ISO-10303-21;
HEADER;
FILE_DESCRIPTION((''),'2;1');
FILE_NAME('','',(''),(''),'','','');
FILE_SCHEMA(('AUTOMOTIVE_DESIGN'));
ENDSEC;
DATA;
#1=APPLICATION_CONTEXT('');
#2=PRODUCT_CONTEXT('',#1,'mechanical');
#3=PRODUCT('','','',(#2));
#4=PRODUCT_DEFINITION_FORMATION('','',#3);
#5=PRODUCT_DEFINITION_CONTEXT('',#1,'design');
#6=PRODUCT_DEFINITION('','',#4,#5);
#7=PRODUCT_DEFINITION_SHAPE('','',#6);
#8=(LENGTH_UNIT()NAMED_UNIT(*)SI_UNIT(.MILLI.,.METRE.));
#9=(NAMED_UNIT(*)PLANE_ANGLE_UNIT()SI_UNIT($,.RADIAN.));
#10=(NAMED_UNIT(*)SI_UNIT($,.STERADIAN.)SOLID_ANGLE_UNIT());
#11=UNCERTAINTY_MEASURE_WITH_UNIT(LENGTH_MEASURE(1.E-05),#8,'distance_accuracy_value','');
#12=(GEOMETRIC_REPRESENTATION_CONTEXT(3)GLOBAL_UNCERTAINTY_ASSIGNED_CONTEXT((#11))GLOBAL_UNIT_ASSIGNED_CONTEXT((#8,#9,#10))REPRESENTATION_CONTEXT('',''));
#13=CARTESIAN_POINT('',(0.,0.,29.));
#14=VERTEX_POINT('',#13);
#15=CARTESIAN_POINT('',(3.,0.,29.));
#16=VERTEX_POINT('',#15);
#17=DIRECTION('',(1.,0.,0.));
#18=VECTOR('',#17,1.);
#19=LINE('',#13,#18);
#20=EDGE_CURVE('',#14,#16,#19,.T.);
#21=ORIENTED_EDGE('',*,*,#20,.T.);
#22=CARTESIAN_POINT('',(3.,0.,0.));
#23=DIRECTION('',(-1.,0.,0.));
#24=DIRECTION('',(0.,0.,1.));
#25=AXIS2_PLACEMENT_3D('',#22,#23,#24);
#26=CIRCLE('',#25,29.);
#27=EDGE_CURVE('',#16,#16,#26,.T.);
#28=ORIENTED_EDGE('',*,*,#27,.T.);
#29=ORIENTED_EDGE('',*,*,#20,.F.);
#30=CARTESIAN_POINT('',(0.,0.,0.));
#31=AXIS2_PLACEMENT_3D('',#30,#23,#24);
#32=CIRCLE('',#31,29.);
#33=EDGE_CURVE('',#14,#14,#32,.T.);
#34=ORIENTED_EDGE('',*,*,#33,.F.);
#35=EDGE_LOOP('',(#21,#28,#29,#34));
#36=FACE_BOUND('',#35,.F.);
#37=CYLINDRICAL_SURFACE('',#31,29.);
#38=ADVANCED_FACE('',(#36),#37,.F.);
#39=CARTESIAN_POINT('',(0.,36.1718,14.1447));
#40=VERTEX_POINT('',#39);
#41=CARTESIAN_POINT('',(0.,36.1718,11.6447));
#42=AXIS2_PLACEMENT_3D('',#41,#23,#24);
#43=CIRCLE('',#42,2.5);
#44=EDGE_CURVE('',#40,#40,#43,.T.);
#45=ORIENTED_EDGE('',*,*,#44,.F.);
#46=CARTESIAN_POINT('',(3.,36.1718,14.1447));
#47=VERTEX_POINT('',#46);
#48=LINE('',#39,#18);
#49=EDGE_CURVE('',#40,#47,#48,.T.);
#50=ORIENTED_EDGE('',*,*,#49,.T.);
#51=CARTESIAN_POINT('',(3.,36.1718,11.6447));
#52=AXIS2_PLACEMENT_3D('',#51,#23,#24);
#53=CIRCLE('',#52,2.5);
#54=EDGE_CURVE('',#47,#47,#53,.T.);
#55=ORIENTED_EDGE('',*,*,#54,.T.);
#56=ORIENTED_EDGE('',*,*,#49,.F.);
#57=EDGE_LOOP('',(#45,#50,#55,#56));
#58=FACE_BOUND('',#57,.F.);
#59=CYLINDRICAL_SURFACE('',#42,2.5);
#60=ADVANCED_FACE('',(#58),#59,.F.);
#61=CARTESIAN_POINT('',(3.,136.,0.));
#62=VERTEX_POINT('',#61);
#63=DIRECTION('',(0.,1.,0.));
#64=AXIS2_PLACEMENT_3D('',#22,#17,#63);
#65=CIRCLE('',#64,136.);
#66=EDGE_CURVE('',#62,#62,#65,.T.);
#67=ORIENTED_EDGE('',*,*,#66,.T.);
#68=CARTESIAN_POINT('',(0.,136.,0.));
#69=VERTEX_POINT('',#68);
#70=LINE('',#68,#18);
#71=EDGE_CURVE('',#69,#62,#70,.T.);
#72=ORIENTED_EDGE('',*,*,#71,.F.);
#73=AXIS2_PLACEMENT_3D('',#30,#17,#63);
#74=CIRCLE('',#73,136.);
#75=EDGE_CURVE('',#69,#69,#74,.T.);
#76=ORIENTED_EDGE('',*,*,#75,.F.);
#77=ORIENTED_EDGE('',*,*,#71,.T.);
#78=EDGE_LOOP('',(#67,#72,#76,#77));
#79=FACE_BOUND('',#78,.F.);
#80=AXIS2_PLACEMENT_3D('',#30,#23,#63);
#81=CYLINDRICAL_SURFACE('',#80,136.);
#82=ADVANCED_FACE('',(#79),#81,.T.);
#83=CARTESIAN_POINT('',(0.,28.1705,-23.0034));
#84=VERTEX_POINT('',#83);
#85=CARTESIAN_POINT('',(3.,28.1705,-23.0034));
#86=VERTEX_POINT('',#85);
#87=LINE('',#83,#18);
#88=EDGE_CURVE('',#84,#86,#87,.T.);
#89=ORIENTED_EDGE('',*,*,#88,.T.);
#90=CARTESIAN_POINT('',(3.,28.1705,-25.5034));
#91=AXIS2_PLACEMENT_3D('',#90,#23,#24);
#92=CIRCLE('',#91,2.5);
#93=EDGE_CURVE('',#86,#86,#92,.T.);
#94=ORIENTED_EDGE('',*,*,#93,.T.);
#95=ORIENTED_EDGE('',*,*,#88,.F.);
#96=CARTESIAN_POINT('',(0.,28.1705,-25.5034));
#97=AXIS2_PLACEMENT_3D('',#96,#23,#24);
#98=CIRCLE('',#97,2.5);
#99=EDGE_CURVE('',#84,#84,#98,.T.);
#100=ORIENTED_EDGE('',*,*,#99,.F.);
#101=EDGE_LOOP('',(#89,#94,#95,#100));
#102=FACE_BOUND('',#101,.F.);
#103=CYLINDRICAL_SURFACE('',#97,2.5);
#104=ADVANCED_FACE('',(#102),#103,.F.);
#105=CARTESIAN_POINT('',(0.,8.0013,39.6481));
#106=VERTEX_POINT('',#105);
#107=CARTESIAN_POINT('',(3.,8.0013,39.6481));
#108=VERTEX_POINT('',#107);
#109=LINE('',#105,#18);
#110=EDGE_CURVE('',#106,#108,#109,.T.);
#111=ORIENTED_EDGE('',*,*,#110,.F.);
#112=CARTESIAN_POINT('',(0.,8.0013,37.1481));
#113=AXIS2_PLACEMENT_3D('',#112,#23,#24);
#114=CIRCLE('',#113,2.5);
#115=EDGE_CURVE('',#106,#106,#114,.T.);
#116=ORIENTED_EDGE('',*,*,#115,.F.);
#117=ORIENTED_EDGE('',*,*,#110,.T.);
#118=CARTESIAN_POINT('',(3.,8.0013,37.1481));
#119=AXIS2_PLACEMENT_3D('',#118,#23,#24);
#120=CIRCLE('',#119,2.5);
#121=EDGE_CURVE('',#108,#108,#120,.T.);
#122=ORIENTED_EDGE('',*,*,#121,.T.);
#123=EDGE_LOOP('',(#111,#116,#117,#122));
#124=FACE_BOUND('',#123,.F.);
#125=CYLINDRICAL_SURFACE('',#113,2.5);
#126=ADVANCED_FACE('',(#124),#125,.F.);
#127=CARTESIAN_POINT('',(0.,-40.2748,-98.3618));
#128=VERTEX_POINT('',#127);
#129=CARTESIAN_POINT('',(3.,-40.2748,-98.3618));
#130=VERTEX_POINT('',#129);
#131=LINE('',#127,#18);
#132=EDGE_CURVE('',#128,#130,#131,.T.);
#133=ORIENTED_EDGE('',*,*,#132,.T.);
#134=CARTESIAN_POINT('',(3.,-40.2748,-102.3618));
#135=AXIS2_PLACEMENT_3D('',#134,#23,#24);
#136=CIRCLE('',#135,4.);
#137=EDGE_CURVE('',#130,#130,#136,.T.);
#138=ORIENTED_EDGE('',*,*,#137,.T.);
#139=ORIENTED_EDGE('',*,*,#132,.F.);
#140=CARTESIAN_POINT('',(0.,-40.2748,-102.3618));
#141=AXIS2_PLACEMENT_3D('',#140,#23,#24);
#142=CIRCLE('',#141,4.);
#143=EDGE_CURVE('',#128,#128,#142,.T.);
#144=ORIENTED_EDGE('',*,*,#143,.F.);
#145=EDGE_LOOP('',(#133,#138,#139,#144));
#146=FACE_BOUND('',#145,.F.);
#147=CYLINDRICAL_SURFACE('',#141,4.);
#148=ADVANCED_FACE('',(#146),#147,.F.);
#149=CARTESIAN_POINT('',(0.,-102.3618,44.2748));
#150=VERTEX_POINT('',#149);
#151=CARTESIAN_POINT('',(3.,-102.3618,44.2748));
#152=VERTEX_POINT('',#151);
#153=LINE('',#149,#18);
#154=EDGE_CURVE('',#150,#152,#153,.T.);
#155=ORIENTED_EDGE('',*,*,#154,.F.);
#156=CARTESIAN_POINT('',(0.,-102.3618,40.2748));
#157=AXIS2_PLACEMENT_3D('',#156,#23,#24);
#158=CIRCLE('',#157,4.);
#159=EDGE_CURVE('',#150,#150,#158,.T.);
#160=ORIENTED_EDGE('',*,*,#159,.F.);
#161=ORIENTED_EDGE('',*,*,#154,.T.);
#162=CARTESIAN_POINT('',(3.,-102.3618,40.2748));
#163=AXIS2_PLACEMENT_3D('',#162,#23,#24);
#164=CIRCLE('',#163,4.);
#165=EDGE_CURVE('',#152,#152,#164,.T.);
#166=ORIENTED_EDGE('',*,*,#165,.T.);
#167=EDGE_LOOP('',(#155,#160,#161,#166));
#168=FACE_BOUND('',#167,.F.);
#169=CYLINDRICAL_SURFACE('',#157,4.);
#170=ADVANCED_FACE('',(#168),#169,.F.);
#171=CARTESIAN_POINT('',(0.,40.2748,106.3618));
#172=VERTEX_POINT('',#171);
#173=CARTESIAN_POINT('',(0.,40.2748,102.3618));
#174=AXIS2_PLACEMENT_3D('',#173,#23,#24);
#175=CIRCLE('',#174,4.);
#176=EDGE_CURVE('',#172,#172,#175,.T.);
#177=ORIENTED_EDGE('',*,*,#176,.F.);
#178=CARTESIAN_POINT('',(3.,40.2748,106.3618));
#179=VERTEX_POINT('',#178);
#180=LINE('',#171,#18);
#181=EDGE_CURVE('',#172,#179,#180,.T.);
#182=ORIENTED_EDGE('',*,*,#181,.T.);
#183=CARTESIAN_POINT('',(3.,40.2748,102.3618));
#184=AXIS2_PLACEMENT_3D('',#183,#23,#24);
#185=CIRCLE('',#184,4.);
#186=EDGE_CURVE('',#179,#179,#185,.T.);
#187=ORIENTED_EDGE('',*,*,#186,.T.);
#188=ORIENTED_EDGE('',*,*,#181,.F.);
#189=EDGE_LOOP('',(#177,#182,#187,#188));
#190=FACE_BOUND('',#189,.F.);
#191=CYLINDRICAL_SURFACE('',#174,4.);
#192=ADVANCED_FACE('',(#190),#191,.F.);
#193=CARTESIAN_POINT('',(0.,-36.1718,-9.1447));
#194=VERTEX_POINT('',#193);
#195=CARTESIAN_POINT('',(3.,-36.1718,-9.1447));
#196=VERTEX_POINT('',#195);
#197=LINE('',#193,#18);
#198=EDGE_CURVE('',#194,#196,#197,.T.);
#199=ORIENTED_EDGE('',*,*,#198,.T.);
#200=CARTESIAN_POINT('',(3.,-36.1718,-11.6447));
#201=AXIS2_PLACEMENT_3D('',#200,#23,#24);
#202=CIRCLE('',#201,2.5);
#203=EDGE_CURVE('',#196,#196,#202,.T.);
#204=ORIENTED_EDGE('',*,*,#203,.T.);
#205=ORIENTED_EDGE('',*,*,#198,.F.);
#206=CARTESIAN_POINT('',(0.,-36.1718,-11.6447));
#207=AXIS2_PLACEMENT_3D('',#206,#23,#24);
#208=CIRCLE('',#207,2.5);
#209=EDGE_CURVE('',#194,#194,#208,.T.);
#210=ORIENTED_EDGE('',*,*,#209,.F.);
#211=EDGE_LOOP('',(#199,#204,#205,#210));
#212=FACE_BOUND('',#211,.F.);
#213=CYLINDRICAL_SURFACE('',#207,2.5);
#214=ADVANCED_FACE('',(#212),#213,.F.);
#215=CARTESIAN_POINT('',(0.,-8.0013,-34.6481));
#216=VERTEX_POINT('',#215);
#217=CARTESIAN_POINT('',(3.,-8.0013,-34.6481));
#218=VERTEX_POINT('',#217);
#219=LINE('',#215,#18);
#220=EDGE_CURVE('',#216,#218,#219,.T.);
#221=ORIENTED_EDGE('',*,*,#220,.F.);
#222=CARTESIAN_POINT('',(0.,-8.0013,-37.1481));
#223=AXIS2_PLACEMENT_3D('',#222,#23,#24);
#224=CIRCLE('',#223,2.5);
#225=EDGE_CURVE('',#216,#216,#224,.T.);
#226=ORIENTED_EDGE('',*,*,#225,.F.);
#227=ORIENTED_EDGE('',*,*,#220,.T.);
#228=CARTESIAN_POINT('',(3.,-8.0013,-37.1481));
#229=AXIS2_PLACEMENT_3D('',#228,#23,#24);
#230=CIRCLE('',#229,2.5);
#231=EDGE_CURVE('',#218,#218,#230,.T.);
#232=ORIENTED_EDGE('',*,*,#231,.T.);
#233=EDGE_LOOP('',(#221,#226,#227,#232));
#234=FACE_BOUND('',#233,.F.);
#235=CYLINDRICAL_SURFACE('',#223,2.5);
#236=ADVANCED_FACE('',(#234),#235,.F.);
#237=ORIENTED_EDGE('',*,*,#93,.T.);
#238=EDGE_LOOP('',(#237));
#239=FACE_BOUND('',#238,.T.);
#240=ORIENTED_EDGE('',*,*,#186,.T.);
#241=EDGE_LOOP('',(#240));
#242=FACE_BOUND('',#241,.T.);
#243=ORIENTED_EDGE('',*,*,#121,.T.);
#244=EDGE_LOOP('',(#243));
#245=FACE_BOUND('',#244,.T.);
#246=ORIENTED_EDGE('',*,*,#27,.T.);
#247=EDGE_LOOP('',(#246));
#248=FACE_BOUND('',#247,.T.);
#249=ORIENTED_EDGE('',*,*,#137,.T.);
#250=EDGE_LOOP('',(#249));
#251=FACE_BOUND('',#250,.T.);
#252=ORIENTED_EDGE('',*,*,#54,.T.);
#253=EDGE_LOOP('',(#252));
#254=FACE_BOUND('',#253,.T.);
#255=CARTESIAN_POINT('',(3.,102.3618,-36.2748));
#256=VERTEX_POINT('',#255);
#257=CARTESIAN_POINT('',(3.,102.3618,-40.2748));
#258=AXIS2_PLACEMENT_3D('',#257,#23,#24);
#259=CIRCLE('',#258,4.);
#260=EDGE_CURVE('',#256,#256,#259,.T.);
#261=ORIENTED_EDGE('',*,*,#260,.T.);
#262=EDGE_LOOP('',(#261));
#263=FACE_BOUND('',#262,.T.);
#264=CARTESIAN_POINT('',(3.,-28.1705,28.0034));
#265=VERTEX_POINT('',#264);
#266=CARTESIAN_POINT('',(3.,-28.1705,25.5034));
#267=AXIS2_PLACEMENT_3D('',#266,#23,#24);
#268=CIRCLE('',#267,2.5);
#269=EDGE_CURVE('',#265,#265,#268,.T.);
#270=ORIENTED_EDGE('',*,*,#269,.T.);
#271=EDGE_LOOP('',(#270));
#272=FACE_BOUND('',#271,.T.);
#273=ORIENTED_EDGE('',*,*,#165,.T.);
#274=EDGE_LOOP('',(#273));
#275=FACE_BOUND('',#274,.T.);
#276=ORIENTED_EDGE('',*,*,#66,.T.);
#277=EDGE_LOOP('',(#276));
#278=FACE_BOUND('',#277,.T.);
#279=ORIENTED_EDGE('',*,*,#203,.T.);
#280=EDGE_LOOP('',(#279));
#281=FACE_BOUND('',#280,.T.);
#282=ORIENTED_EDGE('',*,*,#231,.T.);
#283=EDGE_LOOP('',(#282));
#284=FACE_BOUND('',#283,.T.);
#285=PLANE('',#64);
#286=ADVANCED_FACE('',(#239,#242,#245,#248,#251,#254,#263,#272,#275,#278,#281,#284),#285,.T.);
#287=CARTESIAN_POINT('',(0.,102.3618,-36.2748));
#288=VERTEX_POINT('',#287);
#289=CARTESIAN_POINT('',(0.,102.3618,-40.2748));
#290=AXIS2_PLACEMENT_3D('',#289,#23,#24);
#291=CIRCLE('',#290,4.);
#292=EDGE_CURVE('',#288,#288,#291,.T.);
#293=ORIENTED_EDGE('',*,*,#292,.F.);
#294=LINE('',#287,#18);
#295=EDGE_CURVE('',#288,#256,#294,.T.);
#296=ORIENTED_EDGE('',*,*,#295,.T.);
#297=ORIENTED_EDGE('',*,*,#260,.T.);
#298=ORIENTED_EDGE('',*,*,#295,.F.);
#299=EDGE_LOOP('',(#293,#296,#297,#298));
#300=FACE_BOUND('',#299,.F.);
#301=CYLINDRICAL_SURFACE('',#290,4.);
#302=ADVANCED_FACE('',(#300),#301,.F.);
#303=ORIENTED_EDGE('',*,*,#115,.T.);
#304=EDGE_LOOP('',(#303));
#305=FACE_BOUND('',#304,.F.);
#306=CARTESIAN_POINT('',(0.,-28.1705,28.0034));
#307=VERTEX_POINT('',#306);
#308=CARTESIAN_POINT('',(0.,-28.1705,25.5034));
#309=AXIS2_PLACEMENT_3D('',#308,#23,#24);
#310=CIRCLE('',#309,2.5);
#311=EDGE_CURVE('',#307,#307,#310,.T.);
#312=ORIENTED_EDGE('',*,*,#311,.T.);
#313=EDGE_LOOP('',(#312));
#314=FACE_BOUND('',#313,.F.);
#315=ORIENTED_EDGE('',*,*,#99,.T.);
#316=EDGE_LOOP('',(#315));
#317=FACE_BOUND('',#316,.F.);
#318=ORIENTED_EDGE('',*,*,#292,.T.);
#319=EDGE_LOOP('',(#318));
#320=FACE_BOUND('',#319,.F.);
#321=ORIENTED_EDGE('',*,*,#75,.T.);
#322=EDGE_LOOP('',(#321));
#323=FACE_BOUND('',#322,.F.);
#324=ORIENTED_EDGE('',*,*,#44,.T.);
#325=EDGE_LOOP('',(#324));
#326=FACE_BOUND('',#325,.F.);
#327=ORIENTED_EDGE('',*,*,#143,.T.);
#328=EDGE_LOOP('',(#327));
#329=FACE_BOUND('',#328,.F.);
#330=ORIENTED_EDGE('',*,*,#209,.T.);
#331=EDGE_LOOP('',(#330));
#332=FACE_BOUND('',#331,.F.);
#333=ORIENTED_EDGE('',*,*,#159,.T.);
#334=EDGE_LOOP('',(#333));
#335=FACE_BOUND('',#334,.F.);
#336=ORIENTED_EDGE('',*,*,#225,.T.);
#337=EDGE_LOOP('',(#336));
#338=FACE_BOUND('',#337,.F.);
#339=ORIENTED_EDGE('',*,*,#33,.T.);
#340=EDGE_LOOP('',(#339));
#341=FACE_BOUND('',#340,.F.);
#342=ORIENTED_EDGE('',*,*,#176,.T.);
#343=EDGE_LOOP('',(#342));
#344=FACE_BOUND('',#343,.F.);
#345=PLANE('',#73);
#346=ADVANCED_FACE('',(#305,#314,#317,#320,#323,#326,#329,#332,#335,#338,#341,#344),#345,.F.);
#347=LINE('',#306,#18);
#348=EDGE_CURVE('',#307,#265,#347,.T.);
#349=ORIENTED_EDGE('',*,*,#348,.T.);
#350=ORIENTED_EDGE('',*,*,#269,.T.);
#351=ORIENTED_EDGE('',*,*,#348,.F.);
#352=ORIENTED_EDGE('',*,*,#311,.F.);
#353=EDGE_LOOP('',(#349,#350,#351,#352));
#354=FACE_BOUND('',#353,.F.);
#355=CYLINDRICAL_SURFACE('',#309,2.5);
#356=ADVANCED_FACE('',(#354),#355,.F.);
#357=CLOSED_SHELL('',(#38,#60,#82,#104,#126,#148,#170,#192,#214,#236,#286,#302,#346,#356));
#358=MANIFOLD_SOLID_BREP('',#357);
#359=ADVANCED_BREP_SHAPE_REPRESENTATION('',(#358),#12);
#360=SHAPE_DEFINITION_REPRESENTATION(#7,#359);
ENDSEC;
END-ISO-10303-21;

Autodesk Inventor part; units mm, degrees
ref_plane "YZ Plane" through (0, 0, 0) normal (1, 0, 0) x (0, 1, 0)
ref_plane "XZ Plane" through (0, 0, 0) normal (0, 1, 0) x (-1, 0, 0)
ref_plane "XY Plane" through (0, 0, 0) normal (0, 0, 1) x (1, 0, 0)
sketch "Sketch1" plane through (0, 0, 0) normal (1, 0, 0) x (0, 1, 0)
  circle A0 centre (0, 0) radius 136
  dimension "d0" = 272
extrude "Extrusion1" add sketch "Sketch1" along normal blind 3
sketch "Sketch2" plane through (0, 0, 0) normal (-1, 0, 0) x (0, 0, 1)
  circle A0 centre (37.1481, 8.0013) radius 2.5 projected
  circle A1 centre (0, 0) radius 29 projected
  circle A2 centre (-37.1481, -8.0013) radius 2.5 projected
  circle A3 centre (-11.6447, -36.1718) radius 2.5 projected
  circle A4 centre (25.5034, -28.1705) radius 2.5 projected
  circle A5 centre (37.1481, 8.0013) radius 2.5 projected
  circle A6 centre (11.6447, 36.1718) radius 2.5 projected
  circle A7 centre (-25.5034, 28.1705) radius 2.5 projected
  circle A8 centre (40.2748, -102.3618) radius 4 projected
  circle A9 centre (-40.2748, 102.3618) radius 4 projected
  circle A10 centre (0, 0) radius 29 projected
  circle A11 centre (102.3618, 40.2748) radius 4 projected
  circle A12 centre (-102.3618, -40.2748) radius 4 projected
  circle A13 centre (0, 0) radius 135 projected
  point P0 (0, 0)
extrude "Extrusion2" cut sketch "Sketch2" against normal up to surface (3 mm away) contours A0 | A1 | A2 | A3 | A4 | A6 | A7 | A8 | A9 | A11 | A12
properties part number "support disk-1" material "Steel, Mild"
